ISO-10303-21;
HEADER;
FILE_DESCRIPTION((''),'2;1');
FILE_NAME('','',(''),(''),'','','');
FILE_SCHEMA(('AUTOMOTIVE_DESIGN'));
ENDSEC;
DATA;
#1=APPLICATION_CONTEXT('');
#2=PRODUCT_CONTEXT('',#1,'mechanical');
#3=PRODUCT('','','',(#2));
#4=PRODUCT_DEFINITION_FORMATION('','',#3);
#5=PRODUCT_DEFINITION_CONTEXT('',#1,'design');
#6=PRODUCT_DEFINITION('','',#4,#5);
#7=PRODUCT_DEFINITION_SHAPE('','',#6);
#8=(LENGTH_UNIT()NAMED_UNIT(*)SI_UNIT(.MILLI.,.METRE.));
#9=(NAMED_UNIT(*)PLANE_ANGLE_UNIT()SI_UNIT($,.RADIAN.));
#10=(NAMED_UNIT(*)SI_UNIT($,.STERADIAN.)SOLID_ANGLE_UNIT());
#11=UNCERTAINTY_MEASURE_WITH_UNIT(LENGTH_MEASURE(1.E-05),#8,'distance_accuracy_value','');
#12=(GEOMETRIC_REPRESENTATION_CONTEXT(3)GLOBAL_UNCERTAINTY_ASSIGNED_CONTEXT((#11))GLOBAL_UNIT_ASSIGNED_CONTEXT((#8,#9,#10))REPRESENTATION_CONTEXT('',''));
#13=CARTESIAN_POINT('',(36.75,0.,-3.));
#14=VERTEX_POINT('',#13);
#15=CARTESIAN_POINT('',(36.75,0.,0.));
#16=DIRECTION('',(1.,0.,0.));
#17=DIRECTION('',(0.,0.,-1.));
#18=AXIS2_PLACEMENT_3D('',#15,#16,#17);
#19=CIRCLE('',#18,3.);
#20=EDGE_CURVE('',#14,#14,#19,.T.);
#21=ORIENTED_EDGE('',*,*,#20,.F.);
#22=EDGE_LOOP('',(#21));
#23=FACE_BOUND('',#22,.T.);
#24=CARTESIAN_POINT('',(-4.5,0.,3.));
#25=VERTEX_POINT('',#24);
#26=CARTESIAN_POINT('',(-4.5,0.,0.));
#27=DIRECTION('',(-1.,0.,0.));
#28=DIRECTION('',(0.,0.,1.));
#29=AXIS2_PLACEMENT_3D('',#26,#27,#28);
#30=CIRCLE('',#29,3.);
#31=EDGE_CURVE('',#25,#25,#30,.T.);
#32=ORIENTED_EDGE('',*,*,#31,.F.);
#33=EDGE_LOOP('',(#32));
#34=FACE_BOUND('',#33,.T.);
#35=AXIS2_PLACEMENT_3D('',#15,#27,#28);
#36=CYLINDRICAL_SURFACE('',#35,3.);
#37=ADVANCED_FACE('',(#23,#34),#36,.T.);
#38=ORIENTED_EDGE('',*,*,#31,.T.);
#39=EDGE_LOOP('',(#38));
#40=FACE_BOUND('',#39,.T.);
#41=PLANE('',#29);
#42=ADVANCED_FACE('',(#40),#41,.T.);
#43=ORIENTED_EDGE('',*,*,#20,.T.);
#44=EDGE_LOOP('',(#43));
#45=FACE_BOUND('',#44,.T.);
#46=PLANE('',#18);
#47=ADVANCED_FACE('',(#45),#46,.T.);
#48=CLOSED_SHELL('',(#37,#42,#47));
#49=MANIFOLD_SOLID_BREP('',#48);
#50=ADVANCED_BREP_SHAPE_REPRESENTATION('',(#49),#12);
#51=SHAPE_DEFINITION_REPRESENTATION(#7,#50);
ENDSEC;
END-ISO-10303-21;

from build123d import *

# Parameters (mm, degrees)
SKETCH1_R           = 3
BOSS_EXTRUDE1_DEPTH = 36.75
SKETCH3_R           = 3
BOSS_EXTRUDE2_DEPTH = 4.5


with BuildPart() as part:
    # Sketch1 → Boss-Extrude1 (new body)
    with BuildSketch(Plane(origin=(0, 0, 0), x_dir=(0, 0, -1), z_dir=(1, 0, 0))):
        Circle(SKETCH1_R)
    extrude(amount=BOSS_EXTRUDE1_DEPTH)

    # Sketch3 → Boss-Extrude2 (add)
    with BuildSketch(Plane.ZY):
        Circle(SKETCH3_R)
    extrude(amount=BOSS_EXTRUDE2_DEPTH)


solid = part.part
